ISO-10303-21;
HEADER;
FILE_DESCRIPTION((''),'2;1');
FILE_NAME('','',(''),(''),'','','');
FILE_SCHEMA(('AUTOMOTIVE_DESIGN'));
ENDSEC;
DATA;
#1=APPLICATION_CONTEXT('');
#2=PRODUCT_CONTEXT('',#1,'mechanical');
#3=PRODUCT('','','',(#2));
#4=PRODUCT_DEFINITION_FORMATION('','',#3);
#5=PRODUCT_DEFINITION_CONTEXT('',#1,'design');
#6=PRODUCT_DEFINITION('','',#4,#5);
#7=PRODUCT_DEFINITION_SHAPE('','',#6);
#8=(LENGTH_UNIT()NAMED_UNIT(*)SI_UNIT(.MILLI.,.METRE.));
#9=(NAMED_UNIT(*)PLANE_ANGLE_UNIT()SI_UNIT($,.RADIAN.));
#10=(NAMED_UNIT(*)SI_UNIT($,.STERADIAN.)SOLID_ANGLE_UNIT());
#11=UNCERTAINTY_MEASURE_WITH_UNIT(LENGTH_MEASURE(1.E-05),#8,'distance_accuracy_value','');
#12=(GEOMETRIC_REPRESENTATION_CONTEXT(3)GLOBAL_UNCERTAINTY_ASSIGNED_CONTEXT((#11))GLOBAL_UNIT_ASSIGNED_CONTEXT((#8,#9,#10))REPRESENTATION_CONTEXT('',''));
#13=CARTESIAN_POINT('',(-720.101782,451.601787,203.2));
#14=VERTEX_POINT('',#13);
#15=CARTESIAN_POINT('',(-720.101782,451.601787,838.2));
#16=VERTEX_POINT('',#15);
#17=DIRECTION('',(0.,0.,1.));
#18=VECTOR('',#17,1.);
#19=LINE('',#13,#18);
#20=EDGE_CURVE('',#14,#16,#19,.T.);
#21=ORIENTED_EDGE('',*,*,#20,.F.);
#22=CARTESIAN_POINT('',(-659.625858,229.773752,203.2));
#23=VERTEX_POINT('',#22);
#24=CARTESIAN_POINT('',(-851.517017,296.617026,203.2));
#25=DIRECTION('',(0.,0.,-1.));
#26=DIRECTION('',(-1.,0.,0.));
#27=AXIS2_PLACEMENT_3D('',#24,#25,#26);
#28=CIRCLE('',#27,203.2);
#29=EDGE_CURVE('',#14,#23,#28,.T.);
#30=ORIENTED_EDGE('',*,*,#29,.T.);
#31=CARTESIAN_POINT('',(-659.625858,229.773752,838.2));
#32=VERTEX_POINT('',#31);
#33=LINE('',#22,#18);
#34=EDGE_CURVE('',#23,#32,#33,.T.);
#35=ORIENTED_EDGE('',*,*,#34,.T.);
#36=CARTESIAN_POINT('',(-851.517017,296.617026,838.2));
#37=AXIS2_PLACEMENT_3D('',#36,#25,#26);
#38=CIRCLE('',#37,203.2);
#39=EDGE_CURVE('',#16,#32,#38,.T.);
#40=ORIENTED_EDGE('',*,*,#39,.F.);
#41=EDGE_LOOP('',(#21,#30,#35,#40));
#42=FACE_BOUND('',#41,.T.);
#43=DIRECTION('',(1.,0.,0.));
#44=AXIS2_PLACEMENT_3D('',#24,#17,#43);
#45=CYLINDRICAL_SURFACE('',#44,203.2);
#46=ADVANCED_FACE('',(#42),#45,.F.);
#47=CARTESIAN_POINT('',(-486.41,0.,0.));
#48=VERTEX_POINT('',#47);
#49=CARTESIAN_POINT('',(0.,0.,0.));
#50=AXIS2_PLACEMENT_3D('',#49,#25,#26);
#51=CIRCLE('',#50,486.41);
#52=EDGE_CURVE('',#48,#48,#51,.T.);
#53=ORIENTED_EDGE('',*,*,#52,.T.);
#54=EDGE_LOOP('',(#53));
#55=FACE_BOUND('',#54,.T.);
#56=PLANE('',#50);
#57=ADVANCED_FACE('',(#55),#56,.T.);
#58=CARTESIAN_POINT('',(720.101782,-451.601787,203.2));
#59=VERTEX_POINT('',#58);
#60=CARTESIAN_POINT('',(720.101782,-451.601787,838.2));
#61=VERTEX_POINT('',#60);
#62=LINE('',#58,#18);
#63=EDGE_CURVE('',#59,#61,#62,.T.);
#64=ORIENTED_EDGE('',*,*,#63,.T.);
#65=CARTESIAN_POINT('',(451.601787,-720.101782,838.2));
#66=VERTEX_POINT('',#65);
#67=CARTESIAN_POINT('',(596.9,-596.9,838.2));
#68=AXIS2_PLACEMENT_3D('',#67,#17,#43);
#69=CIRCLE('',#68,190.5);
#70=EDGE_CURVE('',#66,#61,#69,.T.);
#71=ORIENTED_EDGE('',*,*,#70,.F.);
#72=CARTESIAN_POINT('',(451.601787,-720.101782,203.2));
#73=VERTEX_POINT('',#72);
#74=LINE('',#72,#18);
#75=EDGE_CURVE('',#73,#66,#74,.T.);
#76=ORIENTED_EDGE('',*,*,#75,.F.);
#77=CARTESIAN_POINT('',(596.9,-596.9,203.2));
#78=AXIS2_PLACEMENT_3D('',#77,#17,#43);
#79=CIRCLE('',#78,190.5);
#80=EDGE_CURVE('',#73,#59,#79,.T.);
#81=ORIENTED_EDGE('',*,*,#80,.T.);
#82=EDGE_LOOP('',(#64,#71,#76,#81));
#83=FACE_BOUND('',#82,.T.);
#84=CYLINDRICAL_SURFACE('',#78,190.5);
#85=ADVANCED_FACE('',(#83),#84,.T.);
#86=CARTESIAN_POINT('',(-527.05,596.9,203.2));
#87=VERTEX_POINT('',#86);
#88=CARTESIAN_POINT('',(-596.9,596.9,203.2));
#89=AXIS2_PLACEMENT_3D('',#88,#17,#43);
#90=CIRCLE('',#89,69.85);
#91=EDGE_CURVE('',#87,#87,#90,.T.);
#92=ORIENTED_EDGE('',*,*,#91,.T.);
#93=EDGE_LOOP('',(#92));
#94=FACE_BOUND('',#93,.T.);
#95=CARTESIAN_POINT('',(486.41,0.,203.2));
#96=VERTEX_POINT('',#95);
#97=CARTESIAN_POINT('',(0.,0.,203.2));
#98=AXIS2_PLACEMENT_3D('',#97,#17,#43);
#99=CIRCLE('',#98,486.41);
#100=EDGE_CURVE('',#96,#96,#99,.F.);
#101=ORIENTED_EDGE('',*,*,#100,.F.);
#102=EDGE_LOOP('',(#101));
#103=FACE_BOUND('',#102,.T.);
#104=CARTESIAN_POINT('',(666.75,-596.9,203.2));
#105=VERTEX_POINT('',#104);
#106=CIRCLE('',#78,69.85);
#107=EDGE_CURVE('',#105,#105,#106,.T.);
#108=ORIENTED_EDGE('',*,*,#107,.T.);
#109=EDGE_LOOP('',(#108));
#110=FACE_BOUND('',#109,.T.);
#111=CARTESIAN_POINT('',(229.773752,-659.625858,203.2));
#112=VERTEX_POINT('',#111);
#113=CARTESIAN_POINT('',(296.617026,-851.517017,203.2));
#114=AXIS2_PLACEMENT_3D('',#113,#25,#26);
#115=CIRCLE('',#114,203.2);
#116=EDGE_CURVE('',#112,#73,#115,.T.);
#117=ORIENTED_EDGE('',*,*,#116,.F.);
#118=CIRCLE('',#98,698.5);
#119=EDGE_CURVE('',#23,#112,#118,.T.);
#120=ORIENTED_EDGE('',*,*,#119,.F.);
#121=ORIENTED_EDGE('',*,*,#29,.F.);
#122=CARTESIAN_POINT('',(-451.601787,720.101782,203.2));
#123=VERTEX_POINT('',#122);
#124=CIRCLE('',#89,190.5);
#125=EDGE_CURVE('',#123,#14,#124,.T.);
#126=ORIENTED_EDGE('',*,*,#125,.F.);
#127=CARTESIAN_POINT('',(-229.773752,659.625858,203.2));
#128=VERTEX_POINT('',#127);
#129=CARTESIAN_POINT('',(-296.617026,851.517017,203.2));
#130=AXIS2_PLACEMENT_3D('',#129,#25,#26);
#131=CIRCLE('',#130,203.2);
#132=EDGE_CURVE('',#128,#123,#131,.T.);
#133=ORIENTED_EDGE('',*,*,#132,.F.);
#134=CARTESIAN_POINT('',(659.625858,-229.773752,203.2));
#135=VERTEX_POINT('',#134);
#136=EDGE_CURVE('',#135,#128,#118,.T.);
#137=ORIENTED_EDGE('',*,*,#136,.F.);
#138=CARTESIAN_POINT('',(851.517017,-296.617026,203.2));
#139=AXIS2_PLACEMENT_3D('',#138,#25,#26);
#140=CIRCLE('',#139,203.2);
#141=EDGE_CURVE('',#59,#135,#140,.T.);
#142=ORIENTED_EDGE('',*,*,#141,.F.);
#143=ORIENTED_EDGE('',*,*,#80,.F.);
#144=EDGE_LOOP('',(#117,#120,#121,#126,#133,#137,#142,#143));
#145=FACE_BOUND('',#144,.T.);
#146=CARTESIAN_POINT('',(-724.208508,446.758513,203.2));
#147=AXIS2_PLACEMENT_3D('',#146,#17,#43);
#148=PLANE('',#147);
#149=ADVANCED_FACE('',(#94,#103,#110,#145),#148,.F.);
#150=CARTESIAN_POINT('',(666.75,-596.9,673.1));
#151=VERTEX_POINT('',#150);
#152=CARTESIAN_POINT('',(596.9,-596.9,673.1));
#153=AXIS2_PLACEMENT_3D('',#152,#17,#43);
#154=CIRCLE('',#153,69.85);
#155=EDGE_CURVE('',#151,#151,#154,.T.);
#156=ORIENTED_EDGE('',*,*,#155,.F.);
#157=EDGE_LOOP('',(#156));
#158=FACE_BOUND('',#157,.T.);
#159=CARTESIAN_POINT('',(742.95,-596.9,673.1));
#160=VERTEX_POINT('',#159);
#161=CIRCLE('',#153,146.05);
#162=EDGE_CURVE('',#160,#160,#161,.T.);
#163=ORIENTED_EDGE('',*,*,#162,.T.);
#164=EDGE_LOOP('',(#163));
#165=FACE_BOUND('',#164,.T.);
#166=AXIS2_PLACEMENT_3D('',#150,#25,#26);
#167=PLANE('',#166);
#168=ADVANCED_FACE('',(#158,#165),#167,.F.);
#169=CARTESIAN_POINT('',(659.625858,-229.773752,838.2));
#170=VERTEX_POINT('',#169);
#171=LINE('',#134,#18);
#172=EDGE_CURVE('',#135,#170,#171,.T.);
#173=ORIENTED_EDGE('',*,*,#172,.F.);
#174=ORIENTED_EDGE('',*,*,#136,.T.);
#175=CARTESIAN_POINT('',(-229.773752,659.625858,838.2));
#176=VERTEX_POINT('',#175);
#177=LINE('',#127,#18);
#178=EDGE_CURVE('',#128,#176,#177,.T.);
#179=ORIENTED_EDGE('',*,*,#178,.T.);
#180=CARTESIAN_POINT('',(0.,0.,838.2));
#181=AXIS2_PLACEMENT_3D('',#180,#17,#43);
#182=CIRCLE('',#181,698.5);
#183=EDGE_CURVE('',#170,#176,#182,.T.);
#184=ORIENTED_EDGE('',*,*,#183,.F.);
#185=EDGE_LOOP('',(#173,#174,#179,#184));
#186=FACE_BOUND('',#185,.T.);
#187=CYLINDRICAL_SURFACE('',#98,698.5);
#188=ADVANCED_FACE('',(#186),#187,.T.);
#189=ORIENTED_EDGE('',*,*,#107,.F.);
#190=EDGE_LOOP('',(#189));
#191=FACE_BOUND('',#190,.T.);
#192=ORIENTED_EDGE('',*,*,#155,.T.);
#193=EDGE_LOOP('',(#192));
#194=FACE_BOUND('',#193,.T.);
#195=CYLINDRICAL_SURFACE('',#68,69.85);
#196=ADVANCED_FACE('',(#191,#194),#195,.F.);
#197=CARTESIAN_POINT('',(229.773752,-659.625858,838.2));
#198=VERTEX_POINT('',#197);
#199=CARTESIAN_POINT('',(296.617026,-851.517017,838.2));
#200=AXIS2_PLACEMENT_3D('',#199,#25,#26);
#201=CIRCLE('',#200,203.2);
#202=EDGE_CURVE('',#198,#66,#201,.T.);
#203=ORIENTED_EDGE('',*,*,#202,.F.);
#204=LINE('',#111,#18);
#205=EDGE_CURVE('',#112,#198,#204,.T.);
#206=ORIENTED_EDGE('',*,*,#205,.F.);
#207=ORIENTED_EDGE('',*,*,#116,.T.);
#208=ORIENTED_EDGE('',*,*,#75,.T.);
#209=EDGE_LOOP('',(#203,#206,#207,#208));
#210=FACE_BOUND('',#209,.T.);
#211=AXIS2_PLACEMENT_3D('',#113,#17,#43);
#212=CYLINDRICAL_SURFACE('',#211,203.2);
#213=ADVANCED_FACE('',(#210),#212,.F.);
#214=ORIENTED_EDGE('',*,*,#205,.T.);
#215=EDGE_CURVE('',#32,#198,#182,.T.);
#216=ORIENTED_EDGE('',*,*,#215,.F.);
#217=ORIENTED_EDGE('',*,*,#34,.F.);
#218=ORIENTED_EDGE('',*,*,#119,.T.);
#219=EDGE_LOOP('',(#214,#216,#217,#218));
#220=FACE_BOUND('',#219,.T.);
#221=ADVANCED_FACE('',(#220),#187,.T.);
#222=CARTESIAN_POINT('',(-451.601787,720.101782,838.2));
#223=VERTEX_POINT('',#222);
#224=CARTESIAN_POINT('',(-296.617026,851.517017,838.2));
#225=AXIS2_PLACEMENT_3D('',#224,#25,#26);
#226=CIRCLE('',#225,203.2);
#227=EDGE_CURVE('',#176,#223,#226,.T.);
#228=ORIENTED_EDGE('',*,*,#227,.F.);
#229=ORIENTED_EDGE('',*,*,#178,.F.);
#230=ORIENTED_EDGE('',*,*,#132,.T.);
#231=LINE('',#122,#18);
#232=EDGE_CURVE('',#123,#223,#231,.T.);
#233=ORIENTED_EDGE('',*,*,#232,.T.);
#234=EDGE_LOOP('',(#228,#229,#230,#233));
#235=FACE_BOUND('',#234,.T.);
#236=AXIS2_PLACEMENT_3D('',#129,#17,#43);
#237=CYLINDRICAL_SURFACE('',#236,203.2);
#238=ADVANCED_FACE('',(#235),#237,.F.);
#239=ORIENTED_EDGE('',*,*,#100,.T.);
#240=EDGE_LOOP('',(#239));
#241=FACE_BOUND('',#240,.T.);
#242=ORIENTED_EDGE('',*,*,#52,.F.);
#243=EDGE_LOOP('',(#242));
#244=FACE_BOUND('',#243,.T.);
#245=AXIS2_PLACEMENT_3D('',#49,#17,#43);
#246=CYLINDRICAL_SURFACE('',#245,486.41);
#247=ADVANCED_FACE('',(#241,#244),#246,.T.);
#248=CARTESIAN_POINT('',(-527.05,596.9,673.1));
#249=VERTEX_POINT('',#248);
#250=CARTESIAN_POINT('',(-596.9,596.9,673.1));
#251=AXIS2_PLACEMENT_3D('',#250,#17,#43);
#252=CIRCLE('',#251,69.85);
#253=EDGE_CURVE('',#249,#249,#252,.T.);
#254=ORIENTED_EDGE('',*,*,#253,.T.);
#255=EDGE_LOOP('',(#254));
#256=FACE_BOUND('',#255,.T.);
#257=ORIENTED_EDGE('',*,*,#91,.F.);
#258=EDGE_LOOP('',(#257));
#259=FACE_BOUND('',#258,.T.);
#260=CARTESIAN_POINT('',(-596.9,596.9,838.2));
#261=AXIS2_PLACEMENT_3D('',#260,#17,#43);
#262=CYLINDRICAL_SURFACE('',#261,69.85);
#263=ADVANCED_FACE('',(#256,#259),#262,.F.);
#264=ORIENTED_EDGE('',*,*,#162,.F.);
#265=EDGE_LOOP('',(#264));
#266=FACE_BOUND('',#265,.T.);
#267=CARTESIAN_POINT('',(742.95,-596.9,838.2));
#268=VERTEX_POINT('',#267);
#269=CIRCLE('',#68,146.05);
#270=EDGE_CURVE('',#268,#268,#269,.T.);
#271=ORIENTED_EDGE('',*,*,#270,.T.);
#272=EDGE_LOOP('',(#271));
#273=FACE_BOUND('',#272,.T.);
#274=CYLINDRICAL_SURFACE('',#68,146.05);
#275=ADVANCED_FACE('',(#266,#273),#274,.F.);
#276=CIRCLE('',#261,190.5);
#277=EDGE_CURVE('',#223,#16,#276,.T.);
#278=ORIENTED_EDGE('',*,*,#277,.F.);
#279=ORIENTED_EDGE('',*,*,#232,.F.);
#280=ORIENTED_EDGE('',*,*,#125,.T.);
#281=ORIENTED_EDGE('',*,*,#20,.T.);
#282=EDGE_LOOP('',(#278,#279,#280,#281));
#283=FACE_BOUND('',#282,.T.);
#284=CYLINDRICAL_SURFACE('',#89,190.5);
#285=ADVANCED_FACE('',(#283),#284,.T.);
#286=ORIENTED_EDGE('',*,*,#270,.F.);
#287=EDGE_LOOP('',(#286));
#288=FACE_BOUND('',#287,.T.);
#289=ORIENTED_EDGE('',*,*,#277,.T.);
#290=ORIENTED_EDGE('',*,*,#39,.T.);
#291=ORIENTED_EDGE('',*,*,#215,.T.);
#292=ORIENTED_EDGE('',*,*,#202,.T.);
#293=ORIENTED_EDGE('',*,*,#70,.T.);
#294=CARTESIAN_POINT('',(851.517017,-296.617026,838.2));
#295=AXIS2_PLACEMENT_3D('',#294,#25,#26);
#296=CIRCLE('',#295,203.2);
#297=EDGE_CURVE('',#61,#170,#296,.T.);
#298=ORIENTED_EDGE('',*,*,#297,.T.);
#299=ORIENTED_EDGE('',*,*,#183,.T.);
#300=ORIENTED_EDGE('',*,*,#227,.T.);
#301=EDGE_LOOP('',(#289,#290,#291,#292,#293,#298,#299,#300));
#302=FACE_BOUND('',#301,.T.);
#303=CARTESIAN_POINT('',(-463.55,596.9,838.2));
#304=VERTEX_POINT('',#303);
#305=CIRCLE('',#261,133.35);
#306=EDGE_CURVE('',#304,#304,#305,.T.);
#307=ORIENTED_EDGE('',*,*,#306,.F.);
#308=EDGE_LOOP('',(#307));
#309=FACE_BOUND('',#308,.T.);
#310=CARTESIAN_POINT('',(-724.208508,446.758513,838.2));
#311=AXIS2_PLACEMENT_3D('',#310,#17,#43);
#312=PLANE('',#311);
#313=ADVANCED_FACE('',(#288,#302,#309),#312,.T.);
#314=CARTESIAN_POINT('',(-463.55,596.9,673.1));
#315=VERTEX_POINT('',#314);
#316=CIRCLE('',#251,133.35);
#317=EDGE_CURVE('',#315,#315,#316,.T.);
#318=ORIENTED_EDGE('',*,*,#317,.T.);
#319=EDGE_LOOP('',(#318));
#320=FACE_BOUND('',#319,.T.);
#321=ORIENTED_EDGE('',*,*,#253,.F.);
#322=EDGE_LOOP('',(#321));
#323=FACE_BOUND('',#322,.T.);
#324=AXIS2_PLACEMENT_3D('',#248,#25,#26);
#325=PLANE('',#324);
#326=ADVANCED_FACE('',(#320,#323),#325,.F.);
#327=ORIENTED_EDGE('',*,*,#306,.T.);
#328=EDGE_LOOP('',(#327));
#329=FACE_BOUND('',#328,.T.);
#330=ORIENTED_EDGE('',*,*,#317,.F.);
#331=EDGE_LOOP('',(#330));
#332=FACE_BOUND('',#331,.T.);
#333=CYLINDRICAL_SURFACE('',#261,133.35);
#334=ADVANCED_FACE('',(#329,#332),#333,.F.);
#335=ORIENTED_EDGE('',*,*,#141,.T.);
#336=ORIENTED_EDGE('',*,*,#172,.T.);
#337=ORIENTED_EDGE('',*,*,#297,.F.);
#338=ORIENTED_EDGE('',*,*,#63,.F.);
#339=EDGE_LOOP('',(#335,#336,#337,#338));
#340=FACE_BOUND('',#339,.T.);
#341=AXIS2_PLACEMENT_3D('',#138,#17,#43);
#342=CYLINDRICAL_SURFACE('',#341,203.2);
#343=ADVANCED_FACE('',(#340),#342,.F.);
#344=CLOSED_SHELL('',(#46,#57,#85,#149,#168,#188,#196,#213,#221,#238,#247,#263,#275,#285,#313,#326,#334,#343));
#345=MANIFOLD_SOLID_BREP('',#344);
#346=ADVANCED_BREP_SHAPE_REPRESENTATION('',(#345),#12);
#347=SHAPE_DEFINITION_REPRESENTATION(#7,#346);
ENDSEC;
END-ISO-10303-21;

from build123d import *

# Parameters (mm, degrees)
BOSS_EXTRU_1_DEPTH   = 635
ESQUISSE2_R          = 486.41
BOSS_EXTRU_2_DEPTH   = 203.2
PER_AGE1_D           = 139.7
PER_AGE1_DEPTH       = 838.2
PER_AGE1_CBORE_D     = 266.7
PER_AGE1_CBORE_DEPTH = 165.1
PER_AGE2_D           = 139.7
PER_AGE2_DEPTH       = 838.2
PER_AGE2_CBORE_D     = 292.1
PER_AGE2_CBORE_DEPTH = 165.1


with BuildPart() as part:
    # Esquisse1 → Boss.-Extru.1 (new body)
    with BuildSketch(Plane.XY.offset(838.2)):
        with BuildLine():
            ThreePointArc((-720.101782381, 451.601786597), (-655.471932336, 350.063866609), (-659.625858178, 229.773752251))
            ThreePointArc((-659.625858178, 229.773752251), (-493.914086659, -493.914086659), (229.773752251, -659.625858178))
            ThreePointArc((229.773752251, -659.625858178), (350.063866609, -655.471932336), (451.601786597, -720.101782381))
            ThreePointArc((451.601786597, -720.101782381), (731.603841816, -731.603841816), (720.101782381, -451.601786597))
            ThreePointArc((720.101782381, -451.601786597), (655.471932336, -350.063866609), (659.625858178, -229.773752251))
            ThreePointArc((659.625858178, -229.773752251), (493.914086659, 493.914086659), (-229.773752251, 659.625858178))
            ThreePointArc((-229.773752251, 659.625858178), (-350.063866609, 655.471932336), (-451.601786597, 720.101782381))
            ThreePointArc((-451.601786597, 720.101782381), (-731.603841816, 731.603841816), (-720.101782381, 451.601786597))
        make_face()
    extrude(amount=-BOSS_EXTRU_1_DEPTH)

    # Esquisse2 → Boss.-Extru.2 (add)
    with BuildSketch(Plane(origin=(0, 0, 203.2), x_dir=(-1, 0, 0), z_dir=(0, 0, -1))):
        Circle(ESQUISSE2_R)
    extrude(amount=BOSS_EXTRU_2_DEPTH)

    # Perçage1
    with Locations(Plane.XY.offset(838.2)):
        with Locations((-596.9, 596.9)):
            CounterBoreHole(PER_AGE1_D / 2, PER_AGE1_CBORE_D / 2, PER_AGE1_CBORE_DEPTH, depth=PER_AGE1_DEPTH)

    # Perçage2
    with Locations(Plane.XY.offset(838.2)):
        with Locations((596.9, -596.9)):
            CounterBoreHole(PER_AGE2_D / 2, PER_AGE2_CBORE_D / 2, PER_AGE2_CBORE_DEPTH, depth=PER_AGE2_DEPTH)


solid = part.part
